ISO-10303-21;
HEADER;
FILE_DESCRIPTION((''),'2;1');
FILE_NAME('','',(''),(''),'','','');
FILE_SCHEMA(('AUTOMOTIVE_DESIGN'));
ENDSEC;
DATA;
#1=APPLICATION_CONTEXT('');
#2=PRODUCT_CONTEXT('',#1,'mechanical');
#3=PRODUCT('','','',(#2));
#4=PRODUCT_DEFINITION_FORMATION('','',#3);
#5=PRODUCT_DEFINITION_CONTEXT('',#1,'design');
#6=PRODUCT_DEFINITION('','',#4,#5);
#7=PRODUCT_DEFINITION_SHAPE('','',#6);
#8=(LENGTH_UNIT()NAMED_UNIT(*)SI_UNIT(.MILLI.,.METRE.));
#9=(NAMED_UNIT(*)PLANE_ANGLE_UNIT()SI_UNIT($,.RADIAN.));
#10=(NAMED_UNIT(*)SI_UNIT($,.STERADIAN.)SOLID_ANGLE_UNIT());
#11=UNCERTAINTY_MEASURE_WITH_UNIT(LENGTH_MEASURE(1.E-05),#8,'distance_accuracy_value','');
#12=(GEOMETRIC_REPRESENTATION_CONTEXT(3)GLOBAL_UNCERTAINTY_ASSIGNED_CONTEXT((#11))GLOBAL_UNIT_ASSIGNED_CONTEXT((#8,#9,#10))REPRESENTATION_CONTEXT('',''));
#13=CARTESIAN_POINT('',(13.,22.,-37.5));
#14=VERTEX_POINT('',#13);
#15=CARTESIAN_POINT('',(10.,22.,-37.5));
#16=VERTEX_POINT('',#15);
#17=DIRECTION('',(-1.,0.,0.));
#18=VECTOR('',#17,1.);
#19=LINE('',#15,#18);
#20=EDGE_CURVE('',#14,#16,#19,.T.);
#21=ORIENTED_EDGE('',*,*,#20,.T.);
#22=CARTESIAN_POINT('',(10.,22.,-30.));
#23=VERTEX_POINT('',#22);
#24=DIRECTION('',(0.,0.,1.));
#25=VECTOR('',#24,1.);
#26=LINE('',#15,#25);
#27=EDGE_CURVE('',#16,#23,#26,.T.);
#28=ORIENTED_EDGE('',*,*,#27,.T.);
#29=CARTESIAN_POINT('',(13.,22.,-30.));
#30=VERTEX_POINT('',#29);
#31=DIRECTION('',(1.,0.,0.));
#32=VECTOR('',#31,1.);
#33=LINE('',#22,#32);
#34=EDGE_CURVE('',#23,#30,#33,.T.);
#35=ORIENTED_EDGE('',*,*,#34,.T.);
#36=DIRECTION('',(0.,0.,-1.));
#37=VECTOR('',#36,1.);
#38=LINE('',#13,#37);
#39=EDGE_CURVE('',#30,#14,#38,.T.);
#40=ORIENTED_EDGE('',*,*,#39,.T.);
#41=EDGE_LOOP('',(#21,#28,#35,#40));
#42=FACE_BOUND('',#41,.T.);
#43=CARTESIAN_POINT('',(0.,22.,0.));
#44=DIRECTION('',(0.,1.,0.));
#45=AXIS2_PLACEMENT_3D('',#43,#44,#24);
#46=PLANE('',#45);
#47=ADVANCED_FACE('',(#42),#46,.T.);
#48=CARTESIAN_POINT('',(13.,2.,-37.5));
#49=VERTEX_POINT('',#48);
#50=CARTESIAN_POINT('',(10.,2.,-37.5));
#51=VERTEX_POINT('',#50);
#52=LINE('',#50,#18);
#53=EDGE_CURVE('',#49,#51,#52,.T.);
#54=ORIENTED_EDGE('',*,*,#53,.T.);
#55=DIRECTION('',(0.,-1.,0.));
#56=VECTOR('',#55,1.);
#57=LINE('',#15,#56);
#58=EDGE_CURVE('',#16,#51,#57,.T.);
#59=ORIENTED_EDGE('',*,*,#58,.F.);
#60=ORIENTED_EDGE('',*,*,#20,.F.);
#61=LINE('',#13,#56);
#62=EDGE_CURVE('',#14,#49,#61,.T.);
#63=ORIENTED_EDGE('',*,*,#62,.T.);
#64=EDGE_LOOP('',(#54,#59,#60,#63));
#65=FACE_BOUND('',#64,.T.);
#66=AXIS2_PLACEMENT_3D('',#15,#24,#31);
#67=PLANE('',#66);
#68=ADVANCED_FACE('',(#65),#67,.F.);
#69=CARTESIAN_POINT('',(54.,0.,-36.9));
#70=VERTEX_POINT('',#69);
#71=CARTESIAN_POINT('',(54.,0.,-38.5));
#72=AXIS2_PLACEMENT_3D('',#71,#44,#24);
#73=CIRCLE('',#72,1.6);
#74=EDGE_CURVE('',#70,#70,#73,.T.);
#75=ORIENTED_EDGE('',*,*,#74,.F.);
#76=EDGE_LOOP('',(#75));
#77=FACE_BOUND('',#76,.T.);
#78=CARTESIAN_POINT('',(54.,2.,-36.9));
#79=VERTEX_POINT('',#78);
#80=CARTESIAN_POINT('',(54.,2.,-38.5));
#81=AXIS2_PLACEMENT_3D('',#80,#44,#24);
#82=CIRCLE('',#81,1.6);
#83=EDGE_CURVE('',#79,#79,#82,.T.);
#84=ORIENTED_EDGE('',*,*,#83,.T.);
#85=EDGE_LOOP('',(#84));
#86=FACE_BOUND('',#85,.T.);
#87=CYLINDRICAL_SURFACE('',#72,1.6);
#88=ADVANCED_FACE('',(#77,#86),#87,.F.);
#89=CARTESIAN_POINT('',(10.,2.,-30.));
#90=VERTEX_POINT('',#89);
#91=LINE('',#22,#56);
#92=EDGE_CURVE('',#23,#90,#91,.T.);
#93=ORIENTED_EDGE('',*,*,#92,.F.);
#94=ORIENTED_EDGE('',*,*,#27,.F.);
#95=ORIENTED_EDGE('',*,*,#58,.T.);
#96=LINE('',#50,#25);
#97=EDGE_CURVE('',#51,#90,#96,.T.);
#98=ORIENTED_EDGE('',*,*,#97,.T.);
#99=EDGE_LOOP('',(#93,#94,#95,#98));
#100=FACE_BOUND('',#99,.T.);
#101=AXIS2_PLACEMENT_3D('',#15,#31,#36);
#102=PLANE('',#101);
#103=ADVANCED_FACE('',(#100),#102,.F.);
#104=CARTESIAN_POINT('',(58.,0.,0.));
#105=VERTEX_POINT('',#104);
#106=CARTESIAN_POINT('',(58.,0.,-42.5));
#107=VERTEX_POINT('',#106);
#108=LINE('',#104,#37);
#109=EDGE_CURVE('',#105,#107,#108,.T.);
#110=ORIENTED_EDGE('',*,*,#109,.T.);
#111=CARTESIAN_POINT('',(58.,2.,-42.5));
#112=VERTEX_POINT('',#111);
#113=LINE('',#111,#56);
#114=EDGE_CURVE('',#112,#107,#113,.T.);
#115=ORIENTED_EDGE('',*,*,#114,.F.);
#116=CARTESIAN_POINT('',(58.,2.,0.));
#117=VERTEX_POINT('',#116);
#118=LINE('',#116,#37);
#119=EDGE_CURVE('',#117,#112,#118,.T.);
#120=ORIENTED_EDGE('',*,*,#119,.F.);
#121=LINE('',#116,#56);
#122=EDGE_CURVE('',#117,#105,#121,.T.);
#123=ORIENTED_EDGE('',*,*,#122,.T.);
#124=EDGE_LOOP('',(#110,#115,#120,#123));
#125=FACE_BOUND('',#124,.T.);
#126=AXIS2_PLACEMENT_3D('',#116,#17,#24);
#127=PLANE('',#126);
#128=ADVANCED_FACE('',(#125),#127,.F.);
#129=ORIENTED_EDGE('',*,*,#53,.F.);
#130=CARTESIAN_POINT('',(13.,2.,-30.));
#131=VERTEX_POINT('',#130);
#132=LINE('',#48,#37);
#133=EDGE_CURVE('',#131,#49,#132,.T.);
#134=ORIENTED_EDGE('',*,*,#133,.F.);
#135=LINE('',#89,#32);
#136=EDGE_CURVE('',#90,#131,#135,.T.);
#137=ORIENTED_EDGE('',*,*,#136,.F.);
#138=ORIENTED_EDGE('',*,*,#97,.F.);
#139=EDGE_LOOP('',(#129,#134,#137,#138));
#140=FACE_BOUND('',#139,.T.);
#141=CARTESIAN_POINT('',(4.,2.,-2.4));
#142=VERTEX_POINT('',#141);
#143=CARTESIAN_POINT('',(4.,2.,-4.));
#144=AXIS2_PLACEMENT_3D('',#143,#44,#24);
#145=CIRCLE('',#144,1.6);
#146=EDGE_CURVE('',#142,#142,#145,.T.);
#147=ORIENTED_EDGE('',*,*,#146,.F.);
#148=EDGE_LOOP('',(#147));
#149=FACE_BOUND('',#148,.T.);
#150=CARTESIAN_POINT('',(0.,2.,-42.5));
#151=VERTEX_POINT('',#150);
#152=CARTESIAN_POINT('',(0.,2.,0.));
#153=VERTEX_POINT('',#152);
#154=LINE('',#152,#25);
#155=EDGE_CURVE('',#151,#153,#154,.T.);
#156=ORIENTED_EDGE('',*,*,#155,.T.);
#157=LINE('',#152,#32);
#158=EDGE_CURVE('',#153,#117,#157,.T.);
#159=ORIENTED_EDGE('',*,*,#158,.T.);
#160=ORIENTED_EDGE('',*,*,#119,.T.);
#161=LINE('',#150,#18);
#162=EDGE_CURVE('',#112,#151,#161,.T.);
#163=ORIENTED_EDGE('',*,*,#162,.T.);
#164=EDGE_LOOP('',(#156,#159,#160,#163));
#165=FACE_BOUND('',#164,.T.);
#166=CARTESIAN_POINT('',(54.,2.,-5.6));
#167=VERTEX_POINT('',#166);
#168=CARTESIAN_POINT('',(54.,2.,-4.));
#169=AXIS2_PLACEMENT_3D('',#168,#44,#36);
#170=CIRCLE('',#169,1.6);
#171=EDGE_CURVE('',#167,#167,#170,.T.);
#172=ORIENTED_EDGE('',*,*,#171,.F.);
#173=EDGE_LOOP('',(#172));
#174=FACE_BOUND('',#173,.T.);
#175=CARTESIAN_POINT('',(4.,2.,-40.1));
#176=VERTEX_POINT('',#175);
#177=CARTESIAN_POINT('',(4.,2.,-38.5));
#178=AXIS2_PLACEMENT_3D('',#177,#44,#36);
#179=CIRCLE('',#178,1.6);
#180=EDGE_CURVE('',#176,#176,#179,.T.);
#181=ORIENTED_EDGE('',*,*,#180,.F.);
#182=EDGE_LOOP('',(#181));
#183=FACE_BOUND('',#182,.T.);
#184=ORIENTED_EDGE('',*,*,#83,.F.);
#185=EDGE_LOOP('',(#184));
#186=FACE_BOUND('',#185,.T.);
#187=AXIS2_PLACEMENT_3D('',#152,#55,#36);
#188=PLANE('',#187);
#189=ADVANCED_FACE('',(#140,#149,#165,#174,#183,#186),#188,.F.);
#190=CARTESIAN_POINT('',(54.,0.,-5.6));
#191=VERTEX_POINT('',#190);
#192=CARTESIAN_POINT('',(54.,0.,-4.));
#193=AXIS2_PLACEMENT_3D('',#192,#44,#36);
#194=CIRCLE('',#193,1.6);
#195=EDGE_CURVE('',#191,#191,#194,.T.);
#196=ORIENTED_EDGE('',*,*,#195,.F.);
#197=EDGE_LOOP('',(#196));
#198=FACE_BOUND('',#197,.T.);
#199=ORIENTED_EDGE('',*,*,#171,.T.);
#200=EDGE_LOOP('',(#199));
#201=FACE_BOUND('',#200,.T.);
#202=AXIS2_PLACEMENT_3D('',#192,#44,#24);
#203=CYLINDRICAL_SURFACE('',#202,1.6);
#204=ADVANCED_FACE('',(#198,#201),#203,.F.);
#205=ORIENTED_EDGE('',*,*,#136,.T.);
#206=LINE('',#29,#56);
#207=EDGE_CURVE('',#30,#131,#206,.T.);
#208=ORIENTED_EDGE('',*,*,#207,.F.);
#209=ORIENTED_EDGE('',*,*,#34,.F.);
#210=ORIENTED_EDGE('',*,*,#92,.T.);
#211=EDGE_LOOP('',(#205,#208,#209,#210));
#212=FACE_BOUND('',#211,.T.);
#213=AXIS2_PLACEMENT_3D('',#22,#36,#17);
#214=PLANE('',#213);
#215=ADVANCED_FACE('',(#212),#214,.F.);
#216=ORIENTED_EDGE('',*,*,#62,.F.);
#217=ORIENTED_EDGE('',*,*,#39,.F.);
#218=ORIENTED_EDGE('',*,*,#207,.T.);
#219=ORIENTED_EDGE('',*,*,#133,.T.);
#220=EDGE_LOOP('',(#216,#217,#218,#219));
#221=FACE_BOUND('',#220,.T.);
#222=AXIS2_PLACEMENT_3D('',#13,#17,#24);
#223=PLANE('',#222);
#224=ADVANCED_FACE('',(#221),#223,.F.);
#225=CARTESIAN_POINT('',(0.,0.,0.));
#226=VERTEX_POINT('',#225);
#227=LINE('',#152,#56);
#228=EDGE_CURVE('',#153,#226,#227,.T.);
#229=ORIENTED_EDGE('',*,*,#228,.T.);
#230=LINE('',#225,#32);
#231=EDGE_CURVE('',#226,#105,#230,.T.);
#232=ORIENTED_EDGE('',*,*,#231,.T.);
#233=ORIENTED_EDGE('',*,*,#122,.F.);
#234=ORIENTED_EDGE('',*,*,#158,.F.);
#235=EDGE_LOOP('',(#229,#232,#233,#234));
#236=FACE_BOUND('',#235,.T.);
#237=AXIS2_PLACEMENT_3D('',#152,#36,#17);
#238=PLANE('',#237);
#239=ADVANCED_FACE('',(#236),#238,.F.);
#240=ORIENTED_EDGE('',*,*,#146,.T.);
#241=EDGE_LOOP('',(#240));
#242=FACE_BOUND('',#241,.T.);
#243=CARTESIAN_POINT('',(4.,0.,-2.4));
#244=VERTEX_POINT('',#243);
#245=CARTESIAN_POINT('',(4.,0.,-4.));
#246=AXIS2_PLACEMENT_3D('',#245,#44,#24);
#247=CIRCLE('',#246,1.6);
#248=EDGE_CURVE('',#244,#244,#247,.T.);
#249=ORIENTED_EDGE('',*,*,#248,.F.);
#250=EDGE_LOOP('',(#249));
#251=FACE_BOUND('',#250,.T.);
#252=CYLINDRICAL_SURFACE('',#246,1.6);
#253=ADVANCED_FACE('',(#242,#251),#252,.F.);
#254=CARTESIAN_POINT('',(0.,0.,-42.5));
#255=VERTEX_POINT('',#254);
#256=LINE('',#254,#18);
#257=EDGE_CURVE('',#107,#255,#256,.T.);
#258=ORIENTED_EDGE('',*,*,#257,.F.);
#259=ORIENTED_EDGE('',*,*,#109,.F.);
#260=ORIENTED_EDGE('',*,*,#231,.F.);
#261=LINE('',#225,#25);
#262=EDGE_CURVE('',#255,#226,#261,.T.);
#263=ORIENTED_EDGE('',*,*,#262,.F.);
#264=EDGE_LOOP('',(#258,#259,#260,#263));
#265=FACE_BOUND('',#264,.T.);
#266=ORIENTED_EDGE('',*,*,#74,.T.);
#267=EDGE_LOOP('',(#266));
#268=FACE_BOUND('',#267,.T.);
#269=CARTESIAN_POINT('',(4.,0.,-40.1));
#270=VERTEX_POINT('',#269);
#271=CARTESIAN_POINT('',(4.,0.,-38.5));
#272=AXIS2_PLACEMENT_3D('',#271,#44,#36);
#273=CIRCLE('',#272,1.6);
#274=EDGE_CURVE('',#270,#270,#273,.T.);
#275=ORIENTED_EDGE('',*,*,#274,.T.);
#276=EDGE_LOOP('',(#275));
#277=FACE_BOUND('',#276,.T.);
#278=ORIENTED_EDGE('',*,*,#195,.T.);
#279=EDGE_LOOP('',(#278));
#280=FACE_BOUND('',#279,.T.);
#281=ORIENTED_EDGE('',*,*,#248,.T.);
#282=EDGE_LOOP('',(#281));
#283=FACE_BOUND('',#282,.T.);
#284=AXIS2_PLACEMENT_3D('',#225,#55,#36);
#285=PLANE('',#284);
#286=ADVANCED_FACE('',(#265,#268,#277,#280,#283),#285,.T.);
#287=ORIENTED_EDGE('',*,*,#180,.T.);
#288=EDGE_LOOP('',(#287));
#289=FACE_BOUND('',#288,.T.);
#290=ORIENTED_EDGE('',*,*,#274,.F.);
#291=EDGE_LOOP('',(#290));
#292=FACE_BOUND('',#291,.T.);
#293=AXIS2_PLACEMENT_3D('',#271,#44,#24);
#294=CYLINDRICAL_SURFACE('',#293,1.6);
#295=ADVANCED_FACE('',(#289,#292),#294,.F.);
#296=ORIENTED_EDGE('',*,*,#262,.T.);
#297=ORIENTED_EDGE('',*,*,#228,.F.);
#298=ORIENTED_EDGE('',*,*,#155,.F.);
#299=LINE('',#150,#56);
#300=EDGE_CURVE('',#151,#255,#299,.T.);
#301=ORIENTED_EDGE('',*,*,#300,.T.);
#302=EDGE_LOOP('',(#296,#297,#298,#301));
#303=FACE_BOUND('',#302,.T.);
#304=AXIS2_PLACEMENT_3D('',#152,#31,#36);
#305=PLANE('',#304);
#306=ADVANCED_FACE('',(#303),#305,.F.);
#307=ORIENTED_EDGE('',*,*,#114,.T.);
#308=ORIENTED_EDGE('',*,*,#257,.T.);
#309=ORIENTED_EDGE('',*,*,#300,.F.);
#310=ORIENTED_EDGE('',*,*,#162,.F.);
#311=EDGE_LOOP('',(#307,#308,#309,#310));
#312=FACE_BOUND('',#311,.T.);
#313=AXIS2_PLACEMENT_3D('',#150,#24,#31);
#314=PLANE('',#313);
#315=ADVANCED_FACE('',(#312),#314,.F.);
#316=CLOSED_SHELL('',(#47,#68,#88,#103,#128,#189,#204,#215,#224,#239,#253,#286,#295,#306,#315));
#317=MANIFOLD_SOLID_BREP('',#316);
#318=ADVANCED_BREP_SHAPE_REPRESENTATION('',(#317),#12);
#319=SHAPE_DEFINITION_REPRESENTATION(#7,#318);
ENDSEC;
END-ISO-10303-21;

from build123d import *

# Parameters (mm, degrees)
SKETCH_1_W          = 58
SKETCH_1_H          = 42.5
EXTRUDE_1_DEPTH     = 2
SKETCH_2_R          = 1.6
CUT_EXTRUDE_1_DEPTH = 3
SKETCH_3_W          = 3
SKETCH_3_H          = 7.5
EXTRUDE_2_DEPTH     = 20


with BuildPart() as part:
    # 草图1 → 凸台-拉伸1 (new body)
    with BuildSketch(Plane(origin=(0, 0, 0), x_dir=(1, 0, 0), z_dir=(0, 1, 0))):
        with Locations((29, 21.25)):
            Rectangle(SKETCH_1_W, SKETCH_1_H)
    extrude(amount=EXTRUDE_1_DEPTH)

    # 草图2 → 切除-拉伸1 (cut, through all)
    with BuildSketch(Plane(origin=(0, 2, 0), x_dir=(1, 0, 0), z_dir=(0, 1, 0))):
        with Locations((54, 38.5)):
            Circle(SKETCH_2_R)
        with Locations((54, 4)):
            Circle(SKETCH_2_R)
        with Locations((4, 4)):
            Circle(SKETCH_2_R)
        with Locations((4, 38.5)):
            Circle(SKETCH_2_R)
    extrude(amount=-CUT_EXTRUDE_1_DEPTH, mode=Mode.SUBTRACT)

    # 草图3 → 凸台-拉伸2 (add)
    with BuildSketch(Plane(origin=(0, 2, 0), x_dir=(1, 0, 0), z_dir=(0, 1, 0))):
        with Locations((11.5, 33.75)):
            Rectangle(SKETCH_3_W, SKETCH_3_H)
    extrude(amount=EXTRUDE_2_DEPTH)


solid = part.part
